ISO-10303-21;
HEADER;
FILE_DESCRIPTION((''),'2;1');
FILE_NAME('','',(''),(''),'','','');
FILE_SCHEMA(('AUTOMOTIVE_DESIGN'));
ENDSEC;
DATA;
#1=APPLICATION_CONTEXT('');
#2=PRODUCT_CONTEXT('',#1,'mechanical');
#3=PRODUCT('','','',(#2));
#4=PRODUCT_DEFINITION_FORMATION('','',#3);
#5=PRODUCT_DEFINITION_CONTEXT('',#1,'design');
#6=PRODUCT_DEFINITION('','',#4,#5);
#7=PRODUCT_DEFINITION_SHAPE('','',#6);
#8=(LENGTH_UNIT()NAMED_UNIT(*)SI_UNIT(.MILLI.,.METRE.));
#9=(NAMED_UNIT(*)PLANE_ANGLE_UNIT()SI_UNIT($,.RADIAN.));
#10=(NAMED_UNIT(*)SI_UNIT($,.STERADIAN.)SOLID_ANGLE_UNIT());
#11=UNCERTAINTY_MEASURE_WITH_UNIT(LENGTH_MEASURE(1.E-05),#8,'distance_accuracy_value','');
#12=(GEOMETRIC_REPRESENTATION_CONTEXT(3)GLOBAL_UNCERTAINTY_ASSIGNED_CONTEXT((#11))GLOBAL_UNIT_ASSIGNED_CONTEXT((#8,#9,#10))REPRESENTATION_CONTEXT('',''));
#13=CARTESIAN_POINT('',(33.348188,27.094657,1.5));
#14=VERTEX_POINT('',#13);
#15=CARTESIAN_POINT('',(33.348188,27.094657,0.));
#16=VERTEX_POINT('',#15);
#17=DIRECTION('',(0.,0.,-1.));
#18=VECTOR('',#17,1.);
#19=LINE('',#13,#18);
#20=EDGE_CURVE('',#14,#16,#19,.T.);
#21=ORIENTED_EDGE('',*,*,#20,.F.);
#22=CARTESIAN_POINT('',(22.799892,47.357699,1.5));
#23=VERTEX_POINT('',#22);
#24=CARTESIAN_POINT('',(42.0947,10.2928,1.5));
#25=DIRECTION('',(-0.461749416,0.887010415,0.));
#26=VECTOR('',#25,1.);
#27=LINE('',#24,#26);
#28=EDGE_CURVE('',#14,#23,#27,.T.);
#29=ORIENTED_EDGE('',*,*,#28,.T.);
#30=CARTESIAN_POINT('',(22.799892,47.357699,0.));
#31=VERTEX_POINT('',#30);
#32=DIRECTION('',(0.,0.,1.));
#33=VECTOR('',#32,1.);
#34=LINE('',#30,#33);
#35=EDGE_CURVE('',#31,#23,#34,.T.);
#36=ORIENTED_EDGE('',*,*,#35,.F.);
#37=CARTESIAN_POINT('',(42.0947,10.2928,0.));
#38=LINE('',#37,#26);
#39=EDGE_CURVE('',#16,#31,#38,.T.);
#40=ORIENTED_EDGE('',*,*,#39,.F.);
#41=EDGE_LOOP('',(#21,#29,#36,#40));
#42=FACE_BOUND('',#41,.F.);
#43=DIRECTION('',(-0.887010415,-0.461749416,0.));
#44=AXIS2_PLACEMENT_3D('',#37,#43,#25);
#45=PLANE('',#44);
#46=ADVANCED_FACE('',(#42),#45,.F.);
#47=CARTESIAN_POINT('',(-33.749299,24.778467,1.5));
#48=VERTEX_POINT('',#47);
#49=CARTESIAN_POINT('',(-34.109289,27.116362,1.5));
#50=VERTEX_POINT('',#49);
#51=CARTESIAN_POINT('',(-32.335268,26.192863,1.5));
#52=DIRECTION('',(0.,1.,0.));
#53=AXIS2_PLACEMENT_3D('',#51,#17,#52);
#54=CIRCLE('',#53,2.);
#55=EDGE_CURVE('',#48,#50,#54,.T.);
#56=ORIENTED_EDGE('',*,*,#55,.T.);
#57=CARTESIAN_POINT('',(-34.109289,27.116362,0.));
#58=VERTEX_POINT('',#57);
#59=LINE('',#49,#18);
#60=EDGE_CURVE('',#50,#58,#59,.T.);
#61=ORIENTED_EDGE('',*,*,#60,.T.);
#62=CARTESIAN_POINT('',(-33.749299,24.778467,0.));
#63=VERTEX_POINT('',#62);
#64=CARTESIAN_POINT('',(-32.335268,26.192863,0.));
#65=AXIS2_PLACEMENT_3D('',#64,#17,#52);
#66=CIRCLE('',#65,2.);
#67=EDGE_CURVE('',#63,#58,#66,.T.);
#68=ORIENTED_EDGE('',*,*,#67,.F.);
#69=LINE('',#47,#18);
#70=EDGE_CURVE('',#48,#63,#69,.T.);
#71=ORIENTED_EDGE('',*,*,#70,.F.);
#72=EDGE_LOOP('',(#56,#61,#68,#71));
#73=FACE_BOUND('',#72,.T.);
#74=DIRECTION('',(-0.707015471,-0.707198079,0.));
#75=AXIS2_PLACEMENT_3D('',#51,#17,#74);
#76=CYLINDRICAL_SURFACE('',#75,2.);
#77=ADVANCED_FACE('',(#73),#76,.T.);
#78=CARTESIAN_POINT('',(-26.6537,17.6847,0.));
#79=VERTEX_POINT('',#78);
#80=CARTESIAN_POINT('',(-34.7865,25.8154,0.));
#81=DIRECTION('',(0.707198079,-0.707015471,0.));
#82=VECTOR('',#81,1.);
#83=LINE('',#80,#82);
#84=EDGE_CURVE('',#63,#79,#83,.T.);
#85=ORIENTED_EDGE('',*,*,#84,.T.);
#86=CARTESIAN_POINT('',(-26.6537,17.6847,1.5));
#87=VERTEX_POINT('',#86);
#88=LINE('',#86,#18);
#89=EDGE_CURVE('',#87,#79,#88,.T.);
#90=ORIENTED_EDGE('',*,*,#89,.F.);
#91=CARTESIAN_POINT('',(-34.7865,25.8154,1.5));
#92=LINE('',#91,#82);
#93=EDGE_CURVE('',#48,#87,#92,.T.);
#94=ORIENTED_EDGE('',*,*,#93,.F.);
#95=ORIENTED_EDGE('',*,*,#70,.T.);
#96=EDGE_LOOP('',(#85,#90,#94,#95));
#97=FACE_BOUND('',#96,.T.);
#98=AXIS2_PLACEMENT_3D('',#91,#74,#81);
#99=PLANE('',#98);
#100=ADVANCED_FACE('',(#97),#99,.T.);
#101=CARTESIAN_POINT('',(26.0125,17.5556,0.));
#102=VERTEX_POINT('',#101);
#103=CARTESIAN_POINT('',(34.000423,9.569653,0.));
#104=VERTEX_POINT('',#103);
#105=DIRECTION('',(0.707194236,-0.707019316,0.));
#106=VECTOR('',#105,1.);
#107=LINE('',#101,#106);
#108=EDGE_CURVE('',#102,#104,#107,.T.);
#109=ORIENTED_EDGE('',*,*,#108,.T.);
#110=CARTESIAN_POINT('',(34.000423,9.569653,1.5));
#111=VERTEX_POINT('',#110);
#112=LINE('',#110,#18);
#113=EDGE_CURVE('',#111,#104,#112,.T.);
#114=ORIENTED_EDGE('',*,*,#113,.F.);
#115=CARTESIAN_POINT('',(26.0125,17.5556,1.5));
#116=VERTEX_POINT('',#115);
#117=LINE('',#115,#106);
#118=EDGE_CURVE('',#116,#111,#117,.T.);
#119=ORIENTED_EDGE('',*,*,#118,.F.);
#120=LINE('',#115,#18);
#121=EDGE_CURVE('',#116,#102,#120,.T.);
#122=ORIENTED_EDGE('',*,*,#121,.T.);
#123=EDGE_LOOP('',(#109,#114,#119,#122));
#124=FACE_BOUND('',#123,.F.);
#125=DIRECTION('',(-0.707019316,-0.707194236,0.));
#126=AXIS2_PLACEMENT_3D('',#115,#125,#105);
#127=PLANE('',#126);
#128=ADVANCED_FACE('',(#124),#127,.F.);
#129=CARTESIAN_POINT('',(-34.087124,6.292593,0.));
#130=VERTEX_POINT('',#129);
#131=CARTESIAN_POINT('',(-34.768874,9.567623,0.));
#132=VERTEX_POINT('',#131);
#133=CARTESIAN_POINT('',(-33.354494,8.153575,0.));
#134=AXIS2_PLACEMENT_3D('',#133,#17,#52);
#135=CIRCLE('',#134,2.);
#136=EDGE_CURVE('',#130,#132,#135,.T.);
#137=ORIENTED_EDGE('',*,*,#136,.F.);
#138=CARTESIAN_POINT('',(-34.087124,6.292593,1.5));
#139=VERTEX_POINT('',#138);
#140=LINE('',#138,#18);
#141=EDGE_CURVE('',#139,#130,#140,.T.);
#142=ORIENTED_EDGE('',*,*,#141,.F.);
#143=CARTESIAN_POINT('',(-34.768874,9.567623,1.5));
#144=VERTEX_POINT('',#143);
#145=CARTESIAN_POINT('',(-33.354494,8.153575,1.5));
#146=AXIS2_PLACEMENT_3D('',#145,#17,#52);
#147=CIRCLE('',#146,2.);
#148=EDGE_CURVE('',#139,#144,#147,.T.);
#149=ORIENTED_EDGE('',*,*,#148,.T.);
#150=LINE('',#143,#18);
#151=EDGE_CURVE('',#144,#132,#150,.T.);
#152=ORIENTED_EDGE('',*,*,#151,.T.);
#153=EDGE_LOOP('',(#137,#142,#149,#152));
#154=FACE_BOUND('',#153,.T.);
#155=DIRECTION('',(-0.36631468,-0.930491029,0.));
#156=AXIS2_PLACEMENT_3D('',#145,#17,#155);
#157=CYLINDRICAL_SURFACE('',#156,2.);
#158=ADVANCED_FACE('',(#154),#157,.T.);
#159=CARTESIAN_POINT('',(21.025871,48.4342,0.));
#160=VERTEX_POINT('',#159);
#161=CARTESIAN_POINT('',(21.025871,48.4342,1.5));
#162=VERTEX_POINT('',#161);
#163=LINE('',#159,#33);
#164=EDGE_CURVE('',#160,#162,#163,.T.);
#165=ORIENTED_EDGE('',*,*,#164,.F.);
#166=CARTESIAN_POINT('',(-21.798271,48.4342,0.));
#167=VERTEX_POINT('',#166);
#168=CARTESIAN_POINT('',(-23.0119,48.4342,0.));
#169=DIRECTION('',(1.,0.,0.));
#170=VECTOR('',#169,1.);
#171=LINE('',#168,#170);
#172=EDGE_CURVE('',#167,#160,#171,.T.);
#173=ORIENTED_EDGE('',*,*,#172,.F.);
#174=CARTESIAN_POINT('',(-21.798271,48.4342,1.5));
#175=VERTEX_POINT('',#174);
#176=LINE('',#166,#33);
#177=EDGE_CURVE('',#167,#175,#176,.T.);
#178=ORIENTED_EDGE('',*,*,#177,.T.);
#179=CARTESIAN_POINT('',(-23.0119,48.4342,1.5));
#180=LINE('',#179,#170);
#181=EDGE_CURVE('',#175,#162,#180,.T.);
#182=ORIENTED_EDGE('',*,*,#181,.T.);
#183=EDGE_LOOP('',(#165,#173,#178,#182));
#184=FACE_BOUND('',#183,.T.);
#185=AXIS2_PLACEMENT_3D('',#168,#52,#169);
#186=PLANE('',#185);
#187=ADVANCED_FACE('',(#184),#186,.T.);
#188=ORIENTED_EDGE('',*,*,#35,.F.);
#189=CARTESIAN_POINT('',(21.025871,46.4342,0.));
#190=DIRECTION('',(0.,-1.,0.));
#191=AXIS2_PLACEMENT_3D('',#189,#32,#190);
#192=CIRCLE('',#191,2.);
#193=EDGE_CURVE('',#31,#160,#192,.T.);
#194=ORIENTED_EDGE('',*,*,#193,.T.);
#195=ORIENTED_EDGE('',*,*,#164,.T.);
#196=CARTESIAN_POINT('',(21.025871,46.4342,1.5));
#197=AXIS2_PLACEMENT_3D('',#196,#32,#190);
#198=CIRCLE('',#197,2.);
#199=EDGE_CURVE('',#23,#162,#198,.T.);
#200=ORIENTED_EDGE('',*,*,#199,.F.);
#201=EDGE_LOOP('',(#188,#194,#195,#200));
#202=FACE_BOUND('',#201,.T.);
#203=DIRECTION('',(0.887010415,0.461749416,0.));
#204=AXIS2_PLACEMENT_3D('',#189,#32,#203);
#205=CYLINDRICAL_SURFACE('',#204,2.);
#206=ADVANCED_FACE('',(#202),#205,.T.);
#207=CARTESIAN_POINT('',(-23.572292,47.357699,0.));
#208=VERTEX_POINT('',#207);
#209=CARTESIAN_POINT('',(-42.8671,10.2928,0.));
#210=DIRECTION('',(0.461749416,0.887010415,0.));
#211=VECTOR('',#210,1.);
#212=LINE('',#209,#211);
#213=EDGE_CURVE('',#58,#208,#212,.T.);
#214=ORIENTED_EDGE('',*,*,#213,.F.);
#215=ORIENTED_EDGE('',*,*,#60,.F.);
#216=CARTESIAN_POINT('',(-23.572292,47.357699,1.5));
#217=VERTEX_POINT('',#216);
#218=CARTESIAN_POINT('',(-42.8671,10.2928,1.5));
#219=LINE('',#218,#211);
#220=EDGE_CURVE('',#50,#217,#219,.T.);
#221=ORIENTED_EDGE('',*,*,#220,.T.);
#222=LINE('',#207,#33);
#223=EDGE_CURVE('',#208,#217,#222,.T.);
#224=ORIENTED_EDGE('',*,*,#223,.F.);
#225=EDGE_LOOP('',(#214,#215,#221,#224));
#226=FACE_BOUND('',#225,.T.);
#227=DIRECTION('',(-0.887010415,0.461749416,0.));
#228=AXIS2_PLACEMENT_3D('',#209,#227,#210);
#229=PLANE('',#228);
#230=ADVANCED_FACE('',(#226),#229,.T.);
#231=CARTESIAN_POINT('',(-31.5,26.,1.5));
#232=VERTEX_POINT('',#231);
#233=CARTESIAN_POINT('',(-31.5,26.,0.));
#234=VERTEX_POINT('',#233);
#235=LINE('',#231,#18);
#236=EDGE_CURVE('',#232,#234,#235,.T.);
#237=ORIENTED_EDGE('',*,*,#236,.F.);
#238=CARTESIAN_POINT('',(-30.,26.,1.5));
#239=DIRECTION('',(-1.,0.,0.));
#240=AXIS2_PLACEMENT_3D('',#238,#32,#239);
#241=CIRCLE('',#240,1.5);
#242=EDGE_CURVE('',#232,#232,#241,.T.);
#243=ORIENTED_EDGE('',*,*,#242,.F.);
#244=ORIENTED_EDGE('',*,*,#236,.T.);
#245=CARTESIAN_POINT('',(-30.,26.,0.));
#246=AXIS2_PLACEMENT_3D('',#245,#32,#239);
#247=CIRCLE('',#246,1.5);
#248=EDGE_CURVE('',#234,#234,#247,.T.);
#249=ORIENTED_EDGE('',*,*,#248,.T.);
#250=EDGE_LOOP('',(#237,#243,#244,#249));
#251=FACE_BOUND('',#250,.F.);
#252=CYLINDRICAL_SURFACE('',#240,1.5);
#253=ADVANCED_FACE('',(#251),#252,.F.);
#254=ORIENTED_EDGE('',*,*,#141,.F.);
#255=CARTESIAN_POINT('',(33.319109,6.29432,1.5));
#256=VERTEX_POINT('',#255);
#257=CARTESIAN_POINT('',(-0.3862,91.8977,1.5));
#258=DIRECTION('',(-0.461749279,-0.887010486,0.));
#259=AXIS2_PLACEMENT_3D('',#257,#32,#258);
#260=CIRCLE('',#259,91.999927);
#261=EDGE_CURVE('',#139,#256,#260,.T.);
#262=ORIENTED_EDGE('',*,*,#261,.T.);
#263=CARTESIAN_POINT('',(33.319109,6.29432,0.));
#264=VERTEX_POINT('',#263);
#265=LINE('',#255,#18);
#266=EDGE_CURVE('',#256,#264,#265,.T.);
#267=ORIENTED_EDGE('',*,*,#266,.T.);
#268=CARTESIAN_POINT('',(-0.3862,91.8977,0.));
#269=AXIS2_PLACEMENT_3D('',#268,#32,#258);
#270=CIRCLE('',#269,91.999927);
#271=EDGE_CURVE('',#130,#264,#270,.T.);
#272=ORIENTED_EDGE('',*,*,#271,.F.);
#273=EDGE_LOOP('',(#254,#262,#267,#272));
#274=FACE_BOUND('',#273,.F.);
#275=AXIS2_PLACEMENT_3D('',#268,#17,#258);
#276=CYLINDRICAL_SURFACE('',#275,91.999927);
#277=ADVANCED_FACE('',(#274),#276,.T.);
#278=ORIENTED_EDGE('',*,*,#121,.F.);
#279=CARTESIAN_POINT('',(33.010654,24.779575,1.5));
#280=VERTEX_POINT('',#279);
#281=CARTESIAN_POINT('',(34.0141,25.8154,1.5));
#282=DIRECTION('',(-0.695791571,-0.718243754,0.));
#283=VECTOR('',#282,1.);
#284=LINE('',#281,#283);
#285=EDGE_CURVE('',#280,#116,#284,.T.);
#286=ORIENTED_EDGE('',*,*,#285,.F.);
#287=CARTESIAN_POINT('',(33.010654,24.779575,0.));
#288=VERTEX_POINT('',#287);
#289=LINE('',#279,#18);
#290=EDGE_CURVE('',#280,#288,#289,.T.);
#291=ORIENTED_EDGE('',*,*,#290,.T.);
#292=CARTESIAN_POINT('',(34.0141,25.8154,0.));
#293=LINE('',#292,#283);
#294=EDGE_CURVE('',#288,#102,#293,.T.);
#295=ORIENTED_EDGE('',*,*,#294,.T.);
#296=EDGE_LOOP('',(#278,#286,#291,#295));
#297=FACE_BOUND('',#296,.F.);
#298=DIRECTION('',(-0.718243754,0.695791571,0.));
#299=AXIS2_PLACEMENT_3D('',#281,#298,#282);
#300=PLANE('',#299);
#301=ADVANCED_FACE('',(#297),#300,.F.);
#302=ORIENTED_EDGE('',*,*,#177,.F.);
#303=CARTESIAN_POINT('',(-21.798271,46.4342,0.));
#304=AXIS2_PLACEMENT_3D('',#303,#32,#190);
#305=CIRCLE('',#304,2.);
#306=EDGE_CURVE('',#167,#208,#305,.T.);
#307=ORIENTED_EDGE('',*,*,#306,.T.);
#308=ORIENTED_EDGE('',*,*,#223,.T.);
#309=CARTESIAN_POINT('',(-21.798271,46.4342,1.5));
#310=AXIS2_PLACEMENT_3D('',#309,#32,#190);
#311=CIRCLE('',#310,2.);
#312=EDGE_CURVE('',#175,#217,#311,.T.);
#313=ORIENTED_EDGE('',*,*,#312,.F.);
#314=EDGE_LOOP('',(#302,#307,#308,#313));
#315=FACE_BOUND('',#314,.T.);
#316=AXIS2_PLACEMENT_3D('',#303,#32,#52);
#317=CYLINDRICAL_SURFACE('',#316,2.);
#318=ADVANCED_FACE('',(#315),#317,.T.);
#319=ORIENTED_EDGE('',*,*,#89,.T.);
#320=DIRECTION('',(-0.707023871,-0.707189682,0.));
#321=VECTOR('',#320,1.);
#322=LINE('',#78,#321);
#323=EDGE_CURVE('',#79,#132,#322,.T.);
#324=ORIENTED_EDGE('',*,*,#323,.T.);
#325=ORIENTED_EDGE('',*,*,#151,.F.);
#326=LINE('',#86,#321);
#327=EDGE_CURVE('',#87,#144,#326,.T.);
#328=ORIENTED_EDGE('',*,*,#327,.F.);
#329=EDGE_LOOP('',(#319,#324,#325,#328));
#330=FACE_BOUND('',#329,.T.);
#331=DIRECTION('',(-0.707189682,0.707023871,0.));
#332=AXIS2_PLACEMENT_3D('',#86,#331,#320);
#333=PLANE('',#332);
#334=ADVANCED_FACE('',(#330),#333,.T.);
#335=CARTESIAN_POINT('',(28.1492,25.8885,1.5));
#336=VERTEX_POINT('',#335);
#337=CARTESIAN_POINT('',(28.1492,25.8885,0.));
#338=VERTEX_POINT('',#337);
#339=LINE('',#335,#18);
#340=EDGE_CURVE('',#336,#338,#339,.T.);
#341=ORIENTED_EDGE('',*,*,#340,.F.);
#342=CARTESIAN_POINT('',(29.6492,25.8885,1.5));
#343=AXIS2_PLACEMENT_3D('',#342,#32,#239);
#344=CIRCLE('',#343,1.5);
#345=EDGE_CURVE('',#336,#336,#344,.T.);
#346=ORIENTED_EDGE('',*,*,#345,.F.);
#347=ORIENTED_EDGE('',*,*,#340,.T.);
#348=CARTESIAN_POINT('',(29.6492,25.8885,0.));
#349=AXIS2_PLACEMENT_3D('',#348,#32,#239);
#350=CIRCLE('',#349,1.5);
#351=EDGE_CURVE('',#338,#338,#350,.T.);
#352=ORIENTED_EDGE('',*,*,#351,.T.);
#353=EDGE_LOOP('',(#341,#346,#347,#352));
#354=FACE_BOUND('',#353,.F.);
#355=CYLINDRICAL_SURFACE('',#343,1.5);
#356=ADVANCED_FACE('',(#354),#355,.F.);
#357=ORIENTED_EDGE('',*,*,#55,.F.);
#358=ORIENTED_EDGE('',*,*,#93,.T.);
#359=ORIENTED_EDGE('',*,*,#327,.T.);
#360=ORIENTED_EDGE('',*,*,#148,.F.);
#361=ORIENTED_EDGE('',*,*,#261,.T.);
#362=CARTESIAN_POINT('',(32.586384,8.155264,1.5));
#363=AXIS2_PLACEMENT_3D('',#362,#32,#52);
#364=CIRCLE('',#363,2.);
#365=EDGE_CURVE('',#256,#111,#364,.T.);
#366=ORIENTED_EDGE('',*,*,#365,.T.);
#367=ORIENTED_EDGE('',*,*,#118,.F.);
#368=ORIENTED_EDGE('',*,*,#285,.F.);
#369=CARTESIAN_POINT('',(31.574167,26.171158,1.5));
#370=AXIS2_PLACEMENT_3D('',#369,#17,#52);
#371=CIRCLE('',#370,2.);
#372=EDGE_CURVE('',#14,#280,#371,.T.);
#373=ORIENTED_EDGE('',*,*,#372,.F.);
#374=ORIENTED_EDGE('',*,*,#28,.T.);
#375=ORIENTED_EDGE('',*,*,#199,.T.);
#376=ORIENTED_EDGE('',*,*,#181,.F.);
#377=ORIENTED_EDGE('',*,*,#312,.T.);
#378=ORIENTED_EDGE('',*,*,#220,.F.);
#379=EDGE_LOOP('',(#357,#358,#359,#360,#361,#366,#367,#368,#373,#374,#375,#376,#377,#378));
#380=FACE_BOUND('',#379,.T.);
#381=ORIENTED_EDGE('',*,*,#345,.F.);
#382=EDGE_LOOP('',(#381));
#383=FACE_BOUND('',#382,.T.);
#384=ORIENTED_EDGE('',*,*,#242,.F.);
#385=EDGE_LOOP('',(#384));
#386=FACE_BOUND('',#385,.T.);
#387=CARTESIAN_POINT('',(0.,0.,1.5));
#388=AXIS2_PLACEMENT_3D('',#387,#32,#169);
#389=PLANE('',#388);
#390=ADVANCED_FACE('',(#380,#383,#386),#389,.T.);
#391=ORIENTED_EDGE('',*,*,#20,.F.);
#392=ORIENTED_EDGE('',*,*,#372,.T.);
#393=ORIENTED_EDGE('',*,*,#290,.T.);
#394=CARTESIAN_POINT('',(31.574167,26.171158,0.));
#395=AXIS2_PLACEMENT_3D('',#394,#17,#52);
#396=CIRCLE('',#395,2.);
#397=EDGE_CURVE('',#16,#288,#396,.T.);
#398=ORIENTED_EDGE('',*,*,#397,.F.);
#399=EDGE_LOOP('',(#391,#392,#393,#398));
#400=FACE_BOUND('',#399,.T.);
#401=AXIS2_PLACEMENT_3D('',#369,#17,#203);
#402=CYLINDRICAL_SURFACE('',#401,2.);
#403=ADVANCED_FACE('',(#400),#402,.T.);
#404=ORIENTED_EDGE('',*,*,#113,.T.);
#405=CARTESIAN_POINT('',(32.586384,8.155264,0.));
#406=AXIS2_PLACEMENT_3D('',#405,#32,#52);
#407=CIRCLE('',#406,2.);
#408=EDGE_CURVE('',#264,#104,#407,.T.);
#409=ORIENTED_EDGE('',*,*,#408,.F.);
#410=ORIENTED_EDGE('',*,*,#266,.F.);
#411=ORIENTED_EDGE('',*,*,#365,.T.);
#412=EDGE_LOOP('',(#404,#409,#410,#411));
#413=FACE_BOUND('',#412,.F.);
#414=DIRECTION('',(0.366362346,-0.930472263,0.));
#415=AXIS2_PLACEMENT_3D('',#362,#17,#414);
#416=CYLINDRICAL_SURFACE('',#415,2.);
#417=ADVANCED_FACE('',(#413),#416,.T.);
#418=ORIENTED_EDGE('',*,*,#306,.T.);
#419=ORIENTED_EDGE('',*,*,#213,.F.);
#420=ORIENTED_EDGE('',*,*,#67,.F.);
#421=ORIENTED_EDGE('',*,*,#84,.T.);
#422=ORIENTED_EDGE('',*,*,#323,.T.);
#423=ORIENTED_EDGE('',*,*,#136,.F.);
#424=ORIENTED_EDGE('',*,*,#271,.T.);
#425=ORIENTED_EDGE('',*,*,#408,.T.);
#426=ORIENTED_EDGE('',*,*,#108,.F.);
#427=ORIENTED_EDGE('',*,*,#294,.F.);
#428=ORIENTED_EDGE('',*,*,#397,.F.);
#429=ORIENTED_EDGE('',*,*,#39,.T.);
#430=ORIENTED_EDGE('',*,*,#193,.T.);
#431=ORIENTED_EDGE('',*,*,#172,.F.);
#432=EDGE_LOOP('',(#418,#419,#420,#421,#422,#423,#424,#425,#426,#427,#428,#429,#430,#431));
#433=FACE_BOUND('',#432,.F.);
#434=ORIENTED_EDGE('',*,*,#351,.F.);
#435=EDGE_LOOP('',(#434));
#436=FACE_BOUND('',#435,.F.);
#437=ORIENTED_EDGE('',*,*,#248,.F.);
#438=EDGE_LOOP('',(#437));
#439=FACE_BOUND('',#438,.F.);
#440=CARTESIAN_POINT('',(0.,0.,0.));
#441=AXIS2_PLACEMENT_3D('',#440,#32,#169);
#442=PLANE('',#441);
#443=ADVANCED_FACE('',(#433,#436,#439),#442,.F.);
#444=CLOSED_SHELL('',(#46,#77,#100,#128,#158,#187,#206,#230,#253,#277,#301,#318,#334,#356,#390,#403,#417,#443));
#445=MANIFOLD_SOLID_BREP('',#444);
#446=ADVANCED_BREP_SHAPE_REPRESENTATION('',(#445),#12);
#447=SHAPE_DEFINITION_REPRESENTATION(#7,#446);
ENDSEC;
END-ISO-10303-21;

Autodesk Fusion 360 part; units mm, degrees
sketch "スケッチ1" plane through (0, 0, 0) normal (0, 0, 1) x (1, 0, 0)
  arc A0 (-42.8671, 10.2928) -> (42.0947, 10.2928) centre (-0.3862, 91.8977) ccw
  line L0 (-0.3862, 91.8977) -> (-42.8671, 10.2928) construction
  line L1 (-0.3862, 91.8977) -> (42.0947, 10.2928) construction
  line L2 (-42.8671, 10.2928) -> (-23.0119, 48.4342)
  line L3 (42.0947, 10.2928) -> (22.2395, 48.4342)
  line L4 (-23.0119, 48.4342) -> (22.2395, 48.4342)
  dimension "d1" = 92
  dimension "d2" = 55
  dimension "d3" = 43
  dimension "d4" = 43
extrude "押し出し1" add sketch "スケッチ1" along normal blind 1.5
sketch "スケッチ2" plane through (0, 0, 1.5) normal (0, 0, 1) x (-1, 0, 0)
  arc A0 (42.8671, -10.2928) -> (-42.0947, -10.2928) centre (0.3862, -91.8977) ccw
  line L0 (-42.0947, -10.2928) -> (-22.2395, -48.4342)
  line L1 (-22.2395, -48.4342) -> (23.0119, -48.4342)
  line L2 (23.0119, -48.4342) -> (42.8671, -10.2928)
  line L3 (42.8671, -10.2928) -> (34.7865, -25.8154)
  line L4 (-42.0947, -10.2928) -> (-34.0141, -25.8154)
  line L5 (34.7865, -25.8154) -> (26.6537, -17.6847)
  line L6 (26.6537, -17.6847) -> (36.8874, -7.4486)
  line L7 (36.8874, -7.4486) -> (42.8671, -10.2928)
  line L8 (34.7865, -25.8154) -> (42.8671, -10.2928)
  line L9 (-34.0141, -25.8154) -> (-26.0125, -17.5556)
  line L10 (-26.0125, -17.5556) -> (-36.1199, -7.4507)
  line L11 (-36.1199, -7.4507) -> (-42.0947, -10.2928)
  dimension "d7" = 17.5
  dimension "d8" = 17.5
  dimension "d9" = 11.5
  dimension "d10" = 11.5
extrude "押し出し2" cut sketch "スケッチ2" against normal blind 1.5 contours L2 L3 L5 L6 L7 L8
extrude "押し出し3" cut sketch "スケッチ2" against normal blind 1.5 contours L0 L4 L9 L10 L11
sketch "スケッチ3" plane through (0, 0, 1.5) normal (0, 0, 1) x (-1, 0, 0)
  line L0 (-36.1199, -7.4507) -> (-26.0125, -17.5556)
  line L1 (-26.0125, -17.5556) -> (-34.0141, -25.8154)
  line L2 (-34.0141, -25.8154) -> (-22.2395, -48.4342)
  line L3 (-22.2395, -48.4342) -> (23.0119, -48.4342)
  line L4 (23.0119, -48.4342) -> (34.7865, -25.8154)
  line L5 (34.7865, -25.8154) -> (26.6537, -17.6847)
  line L6 (26.6537, -17.6847) -> (36.8874, -7.4486)
  arc A0 (36.8874, -7.4486) -> (-36.1199, -7.4507) centre (0.3862, -91.8977) ccw
  line L7 (45.6832, -13.5395) -> (36.8874, -13.5395)
  line L8 (36.8874, -13.5395) -> (36.8874, -7.4486)
  line L9 (36.8874, -7.4486) -> (45.6832, -7.4486)
  line L10 (45.6832, -7.4486) -> (45.6832, -13.5395)
  line L11 (-36.1199, -7.4507) -> (-43.0096, -7.4507)
  line L12 (-43.0096, -7.4507) -> (-43.0096, -10.616)
  line L13 (-43.0096, -10.616) -> (-36.1199, -10.616)
  line L14 (-36.1199, -10.616) -> (-36.1199, -7.4507)
extrude "押し出し4" cut sketch "スケッチ3" against normal blind 1.5 contours L7 L8 L9 L10
extrude "押し出し5" cut sketch "スケッチ3" against normal blind 1.5 contours L11 L12 L13 L14
fillet "フィレット1" radius 2 1 edges at (-36.8874, 7.4486, 0.75)
fillet "フィレット2" radius 2 1 edges at (-34.7865, 25.8154, 0.75)
fillet "フィレット3" radius 2 1 edges at (36.1199, 7.4507, 0.75)
fillet "フィレット4" radius 2 1 edges at (22.2395, 48.4342, 0.75)
fillet "フィレット5" radius 2 1 edges at (-23.0119, 48.4342, 0.75)
fillet "フィレット6" radius 2 1 edges at (34.0141, 25.8154, 0.75)
sketch "スケッチ4" plane through (0, 0, 1.5) normal (0, 0, 1) x (-1, 0, 0)
  arc A0 (-33.0106, -24.7796) -> (-33.3482, -27.0947) centre (-31.5741, -26.1712) ccw
  line L0 (-33.3482, -27.0947) -> (-22.7999, -47.3577)
  arc A1 (-22.7999, -47.3577) -> (-21.0259, -48.4342) centre (-21.0259, -46.4342) ccw
  line L1 (-21.0259, -48.4342) -> (21.7982, -48.4342)
  arc A2 (21.7982, -48.4342) -> (23.5723, -47.3577) centre (21.7982, -46.4342) ccw
  line L2 (23.5723, -47.3577) -> (34.1092, -27.1164)
  arc A3 (34.1092, -27.1164) -> (33.7492, -24.7785) centre (32.3352, -26.1929) ccw
  line L3 (33.7492, -24.7785) -> (26.6537, -17.6847)
  line L4 (26.6537, -17.6847) -> (34.7689, -9.5676)
  arc A4 (34.7689, -9.5676) -> (34.0871, -6.2926) centre (33.3545, -8.1536) ccw
  arc A5 (34.0871, -6.2926) -> (-33.3191, -6.2943) centre (0.3862, -91.8977) ccw
  arc A6 (-33.3191, -6.2943) -> (-34.0004, -9.5696) centre (-32.5864, -8.1552) ccw
  line L5 (-34.0004, -9.5696) -> (-26.0125, -17.5556)
  line L6 (-26.0125, -17.5556) -> (-33.0106, -24.7796)
  circle A7 centre (30, -26) radius 1.5
  circle A8 centre (-29.6492, -25.8885) radius 1.5
  dimension "d31" = 3
  dimension "d32" = 3
extrude "押し出し6" cut sketch "スケッチ4" against normal blind 2 contours A8
extrude "押し出し7" cut sketch "スケッチ4" against normal blind 2 contours A7
